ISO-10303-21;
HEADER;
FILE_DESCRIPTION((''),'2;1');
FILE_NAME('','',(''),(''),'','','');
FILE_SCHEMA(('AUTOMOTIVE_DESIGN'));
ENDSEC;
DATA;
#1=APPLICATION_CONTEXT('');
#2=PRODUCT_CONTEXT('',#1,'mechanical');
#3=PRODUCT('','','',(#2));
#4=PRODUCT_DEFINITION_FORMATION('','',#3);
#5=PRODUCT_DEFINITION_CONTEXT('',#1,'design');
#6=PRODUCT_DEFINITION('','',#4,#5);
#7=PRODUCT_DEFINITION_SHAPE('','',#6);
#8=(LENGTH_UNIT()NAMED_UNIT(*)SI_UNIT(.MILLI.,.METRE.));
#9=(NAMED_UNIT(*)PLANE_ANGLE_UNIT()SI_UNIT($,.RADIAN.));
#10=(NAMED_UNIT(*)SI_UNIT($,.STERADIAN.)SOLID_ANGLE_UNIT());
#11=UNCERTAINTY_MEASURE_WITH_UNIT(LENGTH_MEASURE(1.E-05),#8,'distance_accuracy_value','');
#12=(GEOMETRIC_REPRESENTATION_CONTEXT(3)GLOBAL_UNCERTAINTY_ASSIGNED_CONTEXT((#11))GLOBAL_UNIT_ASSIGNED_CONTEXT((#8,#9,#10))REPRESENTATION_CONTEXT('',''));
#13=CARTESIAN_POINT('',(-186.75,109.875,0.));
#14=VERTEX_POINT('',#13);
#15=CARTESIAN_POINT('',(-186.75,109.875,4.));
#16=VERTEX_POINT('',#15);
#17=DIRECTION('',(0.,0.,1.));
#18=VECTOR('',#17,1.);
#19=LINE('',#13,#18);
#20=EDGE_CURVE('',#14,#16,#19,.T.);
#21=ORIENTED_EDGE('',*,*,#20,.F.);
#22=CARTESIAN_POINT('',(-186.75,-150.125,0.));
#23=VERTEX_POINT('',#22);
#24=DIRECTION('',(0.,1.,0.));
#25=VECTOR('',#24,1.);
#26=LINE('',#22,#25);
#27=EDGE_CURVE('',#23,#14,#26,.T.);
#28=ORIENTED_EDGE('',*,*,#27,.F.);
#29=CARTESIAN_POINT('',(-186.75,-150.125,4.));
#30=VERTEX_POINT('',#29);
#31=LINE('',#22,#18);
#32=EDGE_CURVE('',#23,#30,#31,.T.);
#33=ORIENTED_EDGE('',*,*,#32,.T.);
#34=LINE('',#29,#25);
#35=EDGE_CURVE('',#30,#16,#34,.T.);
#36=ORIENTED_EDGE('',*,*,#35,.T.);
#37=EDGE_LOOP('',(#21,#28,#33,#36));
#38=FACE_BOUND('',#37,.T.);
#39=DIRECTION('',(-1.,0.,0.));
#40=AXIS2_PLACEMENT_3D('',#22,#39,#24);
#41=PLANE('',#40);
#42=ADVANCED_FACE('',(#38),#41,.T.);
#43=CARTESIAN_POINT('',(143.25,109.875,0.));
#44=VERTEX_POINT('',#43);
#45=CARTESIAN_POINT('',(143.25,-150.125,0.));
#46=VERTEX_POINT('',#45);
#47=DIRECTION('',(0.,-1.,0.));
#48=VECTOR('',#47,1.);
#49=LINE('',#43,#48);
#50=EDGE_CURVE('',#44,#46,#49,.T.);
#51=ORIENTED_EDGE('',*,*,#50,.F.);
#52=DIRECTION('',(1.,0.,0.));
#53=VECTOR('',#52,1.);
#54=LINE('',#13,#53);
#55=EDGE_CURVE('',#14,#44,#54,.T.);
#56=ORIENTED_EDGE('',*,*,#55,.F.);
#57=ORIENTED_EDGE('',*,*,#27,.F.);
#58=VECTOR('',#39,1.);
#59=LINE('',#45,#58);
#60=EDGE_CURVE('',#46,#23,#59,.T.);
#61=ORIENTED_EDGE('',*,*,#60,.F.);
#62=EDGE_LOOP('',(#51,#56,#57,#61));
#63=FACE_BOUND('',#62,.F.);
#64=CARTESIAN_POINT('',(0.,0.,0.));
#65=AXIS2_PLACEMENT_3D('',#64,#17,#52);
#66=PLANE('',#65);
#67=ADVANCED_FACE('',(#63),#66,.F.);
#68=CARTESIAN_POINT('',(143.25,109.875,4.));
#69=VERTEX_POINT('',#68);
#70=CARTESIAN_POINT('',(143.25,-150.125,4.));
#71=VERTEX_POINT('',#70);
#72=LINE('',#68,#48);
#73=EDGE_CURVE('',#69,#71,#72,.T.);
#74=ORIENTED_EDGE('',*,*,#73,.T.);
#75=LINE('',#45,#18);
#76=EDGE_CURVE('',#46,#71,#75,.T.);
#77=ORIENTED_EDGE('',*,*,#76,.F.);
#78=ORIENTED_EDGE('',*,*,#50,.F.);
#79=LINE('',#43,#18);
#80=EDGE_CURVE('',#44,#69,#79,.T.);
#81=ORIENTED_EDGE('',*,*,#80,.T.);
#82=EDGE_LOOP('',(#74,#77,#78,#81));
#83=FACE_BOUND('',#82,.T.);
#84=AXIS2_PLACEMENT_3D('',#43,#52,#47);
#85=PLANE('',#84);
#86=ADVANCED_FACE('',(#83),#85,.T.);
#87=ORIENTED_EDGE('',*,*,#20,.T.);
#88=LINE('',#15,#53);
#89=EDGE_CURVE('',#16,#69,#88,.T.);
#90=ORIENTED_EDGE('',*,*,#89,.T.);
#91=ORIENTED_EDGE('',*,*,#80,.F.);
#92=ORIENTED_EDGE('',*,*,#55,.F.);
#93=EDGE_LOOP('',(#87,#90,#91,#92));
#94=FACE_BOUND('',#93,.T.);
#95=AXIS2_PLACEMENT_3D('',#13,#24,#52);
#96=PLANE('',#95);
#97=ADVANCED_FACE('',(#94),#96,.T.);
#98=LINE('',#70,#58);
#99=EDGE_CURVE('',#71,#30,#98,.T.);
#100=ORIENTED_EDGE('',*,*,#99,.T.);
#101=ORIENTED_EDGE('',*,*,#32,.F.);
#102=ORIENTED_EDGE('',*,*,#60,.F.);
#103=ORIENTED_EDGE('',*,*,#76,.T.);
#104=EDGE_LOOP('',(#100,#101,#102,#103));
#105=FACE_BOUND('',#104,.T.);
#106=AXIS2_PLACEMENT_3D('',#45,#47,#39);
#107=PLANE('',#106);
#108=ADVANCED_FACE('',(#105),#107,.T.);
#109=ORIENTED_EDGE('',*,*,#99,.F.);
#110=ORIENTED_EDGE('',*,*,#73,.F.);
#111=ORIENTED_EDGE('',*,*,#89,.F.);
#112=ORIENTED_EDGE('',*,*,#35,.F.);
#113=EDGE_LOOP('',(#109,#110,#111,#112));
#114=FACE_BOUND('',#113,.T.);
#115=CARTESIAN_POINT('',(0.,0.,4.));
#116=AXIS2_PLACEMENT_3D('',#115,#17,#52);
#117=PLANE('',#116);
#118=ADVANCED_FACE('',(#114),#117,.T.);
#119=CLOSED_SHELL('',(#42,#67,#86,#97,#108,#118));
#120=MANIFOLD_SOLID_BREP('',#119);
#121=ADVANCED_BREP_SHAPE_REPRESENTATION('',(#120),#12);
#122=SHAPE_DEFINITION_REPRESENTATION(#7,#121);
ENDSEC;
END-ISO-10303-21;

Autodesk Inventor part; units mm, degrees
ref_plane "YZ Plane" through (0, 0, 0) normal (1, 0, 0) x (0, 1, 0)
ref_plane "XZ Plane" through (0, 0, 0) normal (0, 1, 0) x (-1, 0, 0)
ref_plane "XY Plane" through (0, 0, 0) normal (0, 0, 1) x (1, 0, 0)
sketch "Sketch1" plane through (0, 0, 0) normal (0, 0, 1) x (1, 0, 0)
  line L0 (-186.75, 109.875) -> (143.25, 109.875)
  line L1 (143.25, 109.875) -> (143.25, -150.125)
  line L2 (143.25, -150.125) -> (-186.75, -150.125)
  line L3 (-186.75, -150.125) -> (-186.75, 109.875)
  point P0 (0, 0)
  dimension "d0" = 330
  dimension "d1" = 260
extrude "Extrusion1" add sketch "Sketch1" along normal blind 4
properties part number "layer1"
